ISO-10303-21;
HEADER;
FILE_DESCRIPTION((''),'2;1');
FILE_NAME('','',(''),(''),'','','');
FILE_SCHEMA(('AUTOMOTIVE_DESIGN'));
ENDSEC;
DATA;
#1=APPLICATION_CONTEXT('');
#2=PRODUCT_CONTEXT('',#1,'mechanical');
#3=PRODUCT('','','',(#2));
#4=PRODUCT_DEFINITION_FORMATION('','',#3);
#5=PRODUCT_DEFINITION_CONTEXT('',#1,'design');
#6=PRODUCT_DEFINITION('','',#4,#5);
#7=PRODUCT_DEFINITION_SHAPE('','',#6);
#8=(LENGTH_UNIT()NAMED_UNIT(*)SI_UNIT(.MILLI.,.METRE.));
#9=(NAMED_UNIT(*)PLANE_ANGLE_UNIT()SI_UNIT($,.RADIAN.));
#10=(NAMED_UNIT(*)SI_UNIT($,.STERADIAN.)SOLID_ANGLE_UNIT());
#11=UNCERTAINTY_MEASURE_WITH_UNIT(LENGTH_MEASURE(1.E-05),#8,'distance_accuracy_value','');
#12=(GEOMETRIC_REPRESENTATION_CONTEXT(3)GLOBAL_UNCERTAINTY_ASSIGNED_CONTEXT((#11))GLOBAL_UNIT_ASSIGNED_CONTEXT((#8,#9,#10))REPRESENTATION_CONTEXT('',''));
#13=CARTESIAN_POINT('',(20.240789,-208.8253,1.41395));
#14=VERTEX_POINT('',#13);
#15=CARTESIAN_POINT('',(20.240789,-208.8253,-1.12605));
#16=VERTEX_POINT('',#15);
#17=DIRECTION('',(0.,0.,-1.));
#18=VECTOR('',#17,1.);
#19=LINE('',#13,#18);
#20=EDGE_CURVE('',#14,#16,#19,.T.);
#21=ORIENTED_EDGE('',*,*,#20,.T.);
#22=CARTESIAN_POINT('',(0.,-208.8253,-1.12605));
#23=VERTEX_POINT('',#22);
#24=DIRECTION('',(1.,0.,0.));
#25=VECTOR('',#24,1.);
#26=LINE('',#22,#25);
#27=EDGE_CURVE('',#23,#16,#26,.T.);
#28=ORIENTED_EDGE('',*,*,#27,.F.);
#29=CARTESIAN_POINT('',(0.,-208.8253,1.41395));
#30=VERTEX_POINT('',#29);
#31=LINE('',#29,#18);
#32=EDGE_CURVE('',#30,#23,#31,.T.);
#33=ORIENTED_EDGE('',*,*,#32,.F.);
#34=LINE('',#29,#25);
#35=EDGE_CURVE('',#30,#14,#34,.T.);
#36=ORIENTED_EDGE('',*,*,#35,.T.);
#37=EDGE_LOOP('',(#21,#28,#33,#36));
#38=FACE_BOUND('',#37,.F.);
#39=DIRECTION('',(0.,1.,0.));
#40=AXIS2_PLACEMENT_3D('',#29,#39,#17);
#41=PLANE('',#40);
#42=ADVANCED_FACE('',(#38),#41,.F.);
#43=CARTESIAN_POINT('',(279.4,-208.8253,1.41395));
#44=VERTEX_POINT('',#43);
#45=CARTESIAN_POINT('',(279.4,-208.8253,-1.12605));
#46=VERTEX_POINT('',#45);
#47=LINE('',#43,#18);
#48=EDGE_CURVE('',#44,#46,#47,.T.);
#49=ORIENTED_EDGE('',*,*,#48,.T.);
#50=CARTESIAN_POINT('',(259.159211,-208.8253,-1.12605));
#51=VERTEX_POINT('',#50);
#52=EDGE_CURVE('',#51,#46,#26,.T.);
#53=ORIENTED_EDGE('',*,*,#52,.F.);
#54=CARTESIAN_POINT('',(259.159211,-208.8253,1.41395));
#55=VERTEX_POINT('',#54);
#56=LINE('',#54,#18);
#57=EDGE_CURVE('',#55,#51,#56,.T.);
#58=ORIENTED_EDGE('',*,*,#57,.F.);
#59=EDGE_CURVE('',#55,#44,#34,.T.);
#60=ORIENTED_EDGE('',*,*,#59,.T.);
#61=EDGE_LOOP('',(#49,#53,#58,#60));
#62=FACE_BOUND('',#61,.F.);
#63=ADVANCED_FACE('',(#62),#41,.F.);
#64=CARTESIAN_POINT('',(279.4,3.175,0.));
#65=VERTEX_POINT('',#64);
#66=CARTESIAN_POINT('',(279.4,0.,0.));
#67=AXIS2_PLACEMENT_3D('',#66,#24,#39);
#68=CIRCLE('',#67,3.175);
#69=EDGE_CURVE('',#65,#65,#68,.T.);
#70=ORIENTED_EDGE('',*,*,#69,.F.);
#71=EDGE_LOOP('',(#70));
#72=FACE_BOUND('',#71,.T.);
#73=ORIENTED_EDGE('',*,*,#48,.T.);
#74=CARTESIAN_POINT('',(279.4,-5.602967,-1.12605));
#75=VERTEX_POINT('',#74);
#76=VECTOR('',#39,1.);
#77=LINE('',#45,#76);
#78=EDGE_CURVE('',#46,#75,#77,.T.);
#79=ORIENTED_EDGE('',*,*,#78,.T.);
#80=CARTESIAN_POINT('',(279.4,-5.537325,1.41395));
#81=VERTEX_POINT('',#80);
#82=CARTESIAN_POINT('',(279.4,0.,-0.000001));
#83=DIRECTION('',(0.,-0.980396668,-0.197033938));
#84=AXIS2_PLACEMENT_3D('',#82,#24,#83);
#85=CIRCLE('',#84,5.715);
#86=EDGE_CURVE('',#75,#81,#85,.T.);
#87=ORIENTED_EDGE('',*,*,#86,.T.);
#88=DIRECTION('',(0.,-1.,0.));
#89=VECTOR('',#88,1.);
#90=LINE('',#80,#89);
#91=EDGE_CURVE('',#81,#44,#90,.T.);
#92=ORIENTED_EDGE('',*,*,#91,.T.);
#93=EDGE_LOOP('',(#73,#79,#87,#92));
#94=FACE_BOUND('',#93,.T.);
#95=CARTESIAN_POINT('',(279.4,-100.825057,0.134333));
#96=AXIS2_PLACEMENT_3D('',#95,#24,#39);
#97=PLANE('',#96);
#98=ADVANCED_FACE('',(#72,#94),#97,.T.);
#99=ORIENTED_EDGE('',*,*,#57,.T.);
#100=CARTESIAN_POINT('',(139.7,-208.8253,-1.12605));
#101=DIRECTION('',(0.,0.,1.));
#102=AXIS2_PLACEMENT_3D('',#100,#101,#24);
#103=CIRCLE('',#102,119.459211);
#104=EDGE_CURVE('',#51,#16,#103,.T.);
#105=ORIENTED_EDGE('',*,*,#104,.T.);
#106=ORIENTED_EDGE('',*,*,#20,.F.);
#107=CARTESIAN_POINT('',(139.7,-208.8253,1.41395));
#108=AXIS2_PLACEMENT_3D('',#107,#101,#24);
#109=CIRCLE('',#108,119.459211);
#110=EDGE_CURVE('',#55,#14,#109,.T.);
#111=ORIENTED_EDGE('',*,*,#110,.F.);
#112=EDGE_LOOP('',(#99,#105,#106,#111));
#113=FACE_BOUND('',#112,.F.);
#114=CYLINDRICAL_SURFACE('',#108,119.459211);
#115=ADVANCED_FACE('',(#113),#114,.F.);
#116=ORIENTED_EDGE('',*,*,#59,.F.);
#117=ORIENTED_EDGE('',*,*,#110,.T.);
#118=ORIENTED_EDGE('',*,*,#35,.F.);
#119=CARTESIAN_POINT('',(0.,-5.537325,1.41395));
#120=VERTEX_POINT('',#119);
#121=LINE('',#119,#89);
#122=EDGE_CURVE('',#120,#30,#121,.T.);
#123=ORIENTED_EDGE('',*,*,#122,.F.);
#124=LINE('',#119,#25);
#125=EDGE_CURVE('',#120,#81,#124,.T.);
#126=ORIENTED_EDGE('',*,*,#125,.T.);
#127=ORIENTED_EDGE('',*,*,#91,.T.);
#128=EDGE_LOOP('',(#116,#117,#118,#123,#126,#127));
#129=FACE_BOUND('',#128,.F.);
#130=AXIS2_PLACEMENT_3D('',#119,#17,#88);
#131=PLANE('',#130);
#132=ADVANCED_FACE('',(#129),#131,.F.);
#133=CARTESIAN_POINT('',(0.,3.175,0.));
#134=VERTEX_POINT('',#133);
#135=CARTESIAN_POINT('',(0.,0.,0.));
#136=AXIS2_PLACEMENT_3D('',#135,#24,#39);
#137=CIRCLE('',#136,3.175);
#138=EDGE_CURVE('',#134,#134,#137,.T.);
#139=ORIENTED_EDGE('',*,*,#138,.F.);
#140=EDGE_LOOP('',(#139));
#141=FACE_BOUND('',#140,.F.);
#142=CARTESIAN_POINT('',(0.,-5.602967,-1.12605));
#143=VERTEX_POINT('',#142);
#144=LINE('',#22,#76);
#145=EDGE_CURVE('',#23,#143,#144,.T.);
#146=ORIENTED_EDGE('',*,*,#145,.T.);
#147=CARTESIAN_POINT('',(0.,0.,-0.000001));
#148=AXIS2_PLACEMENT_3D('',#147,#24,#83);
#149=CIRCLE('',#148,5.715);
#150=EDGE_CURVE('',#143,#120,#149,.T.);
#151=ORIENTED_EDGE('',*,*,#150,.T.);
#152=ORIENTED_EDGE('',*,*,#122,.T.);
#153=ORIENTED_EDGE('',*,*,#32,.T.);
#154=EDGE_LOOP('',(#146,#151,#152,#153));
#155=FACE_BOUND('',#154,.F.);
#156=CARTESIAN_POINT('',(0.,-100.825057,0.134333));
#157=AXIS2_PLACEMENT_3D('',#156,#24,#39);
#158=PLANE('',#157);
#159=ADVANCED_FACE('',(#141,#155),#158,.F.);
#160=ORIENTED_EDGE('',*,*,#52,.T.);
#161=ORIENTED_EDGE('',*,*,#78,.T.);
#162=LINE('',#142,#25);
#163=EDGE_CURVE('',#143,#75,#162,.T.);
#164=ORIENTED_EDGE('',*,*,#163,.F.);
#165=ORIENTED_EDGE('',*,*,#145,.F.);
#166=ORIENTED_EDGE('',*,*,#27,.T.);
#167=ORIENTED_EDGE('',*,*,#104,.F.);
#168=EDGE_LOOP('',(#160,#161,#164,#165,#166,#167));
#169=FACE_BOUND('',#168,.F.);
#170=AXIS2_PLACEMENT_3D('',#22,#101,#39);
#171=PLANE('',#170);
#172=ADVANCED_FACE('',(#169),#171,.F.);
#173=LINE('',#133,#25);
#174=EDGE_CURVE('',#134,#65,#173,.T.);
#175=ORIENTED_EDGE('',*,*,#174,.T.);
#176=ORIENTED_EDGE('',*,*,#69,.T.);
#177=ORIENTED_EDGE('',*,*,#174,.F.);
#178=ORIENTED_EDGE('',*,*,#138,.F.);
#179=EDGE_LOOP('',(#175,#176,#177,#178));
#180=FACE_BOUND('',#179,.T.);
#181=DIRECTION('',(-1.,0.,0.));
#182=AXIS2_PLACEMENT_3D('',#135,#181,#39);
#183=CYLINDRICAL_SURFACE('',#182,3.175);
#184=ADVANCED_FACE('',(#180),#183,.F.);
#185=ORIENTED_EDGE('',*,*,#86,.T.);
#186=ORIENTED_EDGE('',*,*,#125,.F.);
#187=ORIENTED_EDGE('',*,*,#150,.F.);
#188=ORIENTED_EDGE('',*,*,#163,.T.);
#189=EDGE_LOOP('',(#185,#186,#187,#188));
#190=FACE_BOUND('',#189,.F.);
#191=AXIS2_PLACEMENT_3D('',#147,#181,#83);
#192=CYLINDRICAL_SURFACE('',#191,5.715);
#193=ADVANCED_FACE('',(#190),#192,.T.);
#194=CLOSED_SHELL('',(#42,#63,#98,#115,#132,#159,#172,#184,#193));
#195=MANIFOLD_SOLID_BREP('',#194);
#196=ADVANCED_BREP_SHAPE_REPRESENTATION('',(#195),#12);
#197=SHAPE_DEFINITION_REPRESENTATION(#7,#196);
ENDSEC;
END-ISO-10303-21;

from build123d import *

# Parameters (mm, degrees)
F0_R     = 3.175
F1_DEPTH = 279.4
F3_DEPTH = 25.4


with BuildPart() as f1:
    # F0 (on Right) → F1 (new body)
    with BuildSketch(Plane.YZ):
        with BuildLine():
            ThreePointArc((-5.602967, -1.12605), (5.713093, -0.147644), (-5.537325, 1.41395))
            Line((-5.537325, 1.41395), (-208.8253, 1.41395))
            Line((-208.8253, 1.41395), (-208.8253, -1.12605))
            Line((-208.8253, -1.12605), (-5.602967, -1.12605))
        make_face()
        Circle(F0_R, mode=Mode.SUBTRACT)
    extrude(amount=F1_DEPTH)

    # F2 (on face) → F3 (cut)
    with BuildSketch(Plane.XY.offset(1.41395)):
        with BuildLine():
            Line((20.240789, -208.8253), (259.159211, -208.8253))
            ThreePointArc((259.159211, -208.8253), (139.7, -89.366089), (20.240789, -208.8253))
        make_face()
    extrude(amount=-F3_DEPTH, mode=Mode.SUBTRACT)


solid = f1.part
